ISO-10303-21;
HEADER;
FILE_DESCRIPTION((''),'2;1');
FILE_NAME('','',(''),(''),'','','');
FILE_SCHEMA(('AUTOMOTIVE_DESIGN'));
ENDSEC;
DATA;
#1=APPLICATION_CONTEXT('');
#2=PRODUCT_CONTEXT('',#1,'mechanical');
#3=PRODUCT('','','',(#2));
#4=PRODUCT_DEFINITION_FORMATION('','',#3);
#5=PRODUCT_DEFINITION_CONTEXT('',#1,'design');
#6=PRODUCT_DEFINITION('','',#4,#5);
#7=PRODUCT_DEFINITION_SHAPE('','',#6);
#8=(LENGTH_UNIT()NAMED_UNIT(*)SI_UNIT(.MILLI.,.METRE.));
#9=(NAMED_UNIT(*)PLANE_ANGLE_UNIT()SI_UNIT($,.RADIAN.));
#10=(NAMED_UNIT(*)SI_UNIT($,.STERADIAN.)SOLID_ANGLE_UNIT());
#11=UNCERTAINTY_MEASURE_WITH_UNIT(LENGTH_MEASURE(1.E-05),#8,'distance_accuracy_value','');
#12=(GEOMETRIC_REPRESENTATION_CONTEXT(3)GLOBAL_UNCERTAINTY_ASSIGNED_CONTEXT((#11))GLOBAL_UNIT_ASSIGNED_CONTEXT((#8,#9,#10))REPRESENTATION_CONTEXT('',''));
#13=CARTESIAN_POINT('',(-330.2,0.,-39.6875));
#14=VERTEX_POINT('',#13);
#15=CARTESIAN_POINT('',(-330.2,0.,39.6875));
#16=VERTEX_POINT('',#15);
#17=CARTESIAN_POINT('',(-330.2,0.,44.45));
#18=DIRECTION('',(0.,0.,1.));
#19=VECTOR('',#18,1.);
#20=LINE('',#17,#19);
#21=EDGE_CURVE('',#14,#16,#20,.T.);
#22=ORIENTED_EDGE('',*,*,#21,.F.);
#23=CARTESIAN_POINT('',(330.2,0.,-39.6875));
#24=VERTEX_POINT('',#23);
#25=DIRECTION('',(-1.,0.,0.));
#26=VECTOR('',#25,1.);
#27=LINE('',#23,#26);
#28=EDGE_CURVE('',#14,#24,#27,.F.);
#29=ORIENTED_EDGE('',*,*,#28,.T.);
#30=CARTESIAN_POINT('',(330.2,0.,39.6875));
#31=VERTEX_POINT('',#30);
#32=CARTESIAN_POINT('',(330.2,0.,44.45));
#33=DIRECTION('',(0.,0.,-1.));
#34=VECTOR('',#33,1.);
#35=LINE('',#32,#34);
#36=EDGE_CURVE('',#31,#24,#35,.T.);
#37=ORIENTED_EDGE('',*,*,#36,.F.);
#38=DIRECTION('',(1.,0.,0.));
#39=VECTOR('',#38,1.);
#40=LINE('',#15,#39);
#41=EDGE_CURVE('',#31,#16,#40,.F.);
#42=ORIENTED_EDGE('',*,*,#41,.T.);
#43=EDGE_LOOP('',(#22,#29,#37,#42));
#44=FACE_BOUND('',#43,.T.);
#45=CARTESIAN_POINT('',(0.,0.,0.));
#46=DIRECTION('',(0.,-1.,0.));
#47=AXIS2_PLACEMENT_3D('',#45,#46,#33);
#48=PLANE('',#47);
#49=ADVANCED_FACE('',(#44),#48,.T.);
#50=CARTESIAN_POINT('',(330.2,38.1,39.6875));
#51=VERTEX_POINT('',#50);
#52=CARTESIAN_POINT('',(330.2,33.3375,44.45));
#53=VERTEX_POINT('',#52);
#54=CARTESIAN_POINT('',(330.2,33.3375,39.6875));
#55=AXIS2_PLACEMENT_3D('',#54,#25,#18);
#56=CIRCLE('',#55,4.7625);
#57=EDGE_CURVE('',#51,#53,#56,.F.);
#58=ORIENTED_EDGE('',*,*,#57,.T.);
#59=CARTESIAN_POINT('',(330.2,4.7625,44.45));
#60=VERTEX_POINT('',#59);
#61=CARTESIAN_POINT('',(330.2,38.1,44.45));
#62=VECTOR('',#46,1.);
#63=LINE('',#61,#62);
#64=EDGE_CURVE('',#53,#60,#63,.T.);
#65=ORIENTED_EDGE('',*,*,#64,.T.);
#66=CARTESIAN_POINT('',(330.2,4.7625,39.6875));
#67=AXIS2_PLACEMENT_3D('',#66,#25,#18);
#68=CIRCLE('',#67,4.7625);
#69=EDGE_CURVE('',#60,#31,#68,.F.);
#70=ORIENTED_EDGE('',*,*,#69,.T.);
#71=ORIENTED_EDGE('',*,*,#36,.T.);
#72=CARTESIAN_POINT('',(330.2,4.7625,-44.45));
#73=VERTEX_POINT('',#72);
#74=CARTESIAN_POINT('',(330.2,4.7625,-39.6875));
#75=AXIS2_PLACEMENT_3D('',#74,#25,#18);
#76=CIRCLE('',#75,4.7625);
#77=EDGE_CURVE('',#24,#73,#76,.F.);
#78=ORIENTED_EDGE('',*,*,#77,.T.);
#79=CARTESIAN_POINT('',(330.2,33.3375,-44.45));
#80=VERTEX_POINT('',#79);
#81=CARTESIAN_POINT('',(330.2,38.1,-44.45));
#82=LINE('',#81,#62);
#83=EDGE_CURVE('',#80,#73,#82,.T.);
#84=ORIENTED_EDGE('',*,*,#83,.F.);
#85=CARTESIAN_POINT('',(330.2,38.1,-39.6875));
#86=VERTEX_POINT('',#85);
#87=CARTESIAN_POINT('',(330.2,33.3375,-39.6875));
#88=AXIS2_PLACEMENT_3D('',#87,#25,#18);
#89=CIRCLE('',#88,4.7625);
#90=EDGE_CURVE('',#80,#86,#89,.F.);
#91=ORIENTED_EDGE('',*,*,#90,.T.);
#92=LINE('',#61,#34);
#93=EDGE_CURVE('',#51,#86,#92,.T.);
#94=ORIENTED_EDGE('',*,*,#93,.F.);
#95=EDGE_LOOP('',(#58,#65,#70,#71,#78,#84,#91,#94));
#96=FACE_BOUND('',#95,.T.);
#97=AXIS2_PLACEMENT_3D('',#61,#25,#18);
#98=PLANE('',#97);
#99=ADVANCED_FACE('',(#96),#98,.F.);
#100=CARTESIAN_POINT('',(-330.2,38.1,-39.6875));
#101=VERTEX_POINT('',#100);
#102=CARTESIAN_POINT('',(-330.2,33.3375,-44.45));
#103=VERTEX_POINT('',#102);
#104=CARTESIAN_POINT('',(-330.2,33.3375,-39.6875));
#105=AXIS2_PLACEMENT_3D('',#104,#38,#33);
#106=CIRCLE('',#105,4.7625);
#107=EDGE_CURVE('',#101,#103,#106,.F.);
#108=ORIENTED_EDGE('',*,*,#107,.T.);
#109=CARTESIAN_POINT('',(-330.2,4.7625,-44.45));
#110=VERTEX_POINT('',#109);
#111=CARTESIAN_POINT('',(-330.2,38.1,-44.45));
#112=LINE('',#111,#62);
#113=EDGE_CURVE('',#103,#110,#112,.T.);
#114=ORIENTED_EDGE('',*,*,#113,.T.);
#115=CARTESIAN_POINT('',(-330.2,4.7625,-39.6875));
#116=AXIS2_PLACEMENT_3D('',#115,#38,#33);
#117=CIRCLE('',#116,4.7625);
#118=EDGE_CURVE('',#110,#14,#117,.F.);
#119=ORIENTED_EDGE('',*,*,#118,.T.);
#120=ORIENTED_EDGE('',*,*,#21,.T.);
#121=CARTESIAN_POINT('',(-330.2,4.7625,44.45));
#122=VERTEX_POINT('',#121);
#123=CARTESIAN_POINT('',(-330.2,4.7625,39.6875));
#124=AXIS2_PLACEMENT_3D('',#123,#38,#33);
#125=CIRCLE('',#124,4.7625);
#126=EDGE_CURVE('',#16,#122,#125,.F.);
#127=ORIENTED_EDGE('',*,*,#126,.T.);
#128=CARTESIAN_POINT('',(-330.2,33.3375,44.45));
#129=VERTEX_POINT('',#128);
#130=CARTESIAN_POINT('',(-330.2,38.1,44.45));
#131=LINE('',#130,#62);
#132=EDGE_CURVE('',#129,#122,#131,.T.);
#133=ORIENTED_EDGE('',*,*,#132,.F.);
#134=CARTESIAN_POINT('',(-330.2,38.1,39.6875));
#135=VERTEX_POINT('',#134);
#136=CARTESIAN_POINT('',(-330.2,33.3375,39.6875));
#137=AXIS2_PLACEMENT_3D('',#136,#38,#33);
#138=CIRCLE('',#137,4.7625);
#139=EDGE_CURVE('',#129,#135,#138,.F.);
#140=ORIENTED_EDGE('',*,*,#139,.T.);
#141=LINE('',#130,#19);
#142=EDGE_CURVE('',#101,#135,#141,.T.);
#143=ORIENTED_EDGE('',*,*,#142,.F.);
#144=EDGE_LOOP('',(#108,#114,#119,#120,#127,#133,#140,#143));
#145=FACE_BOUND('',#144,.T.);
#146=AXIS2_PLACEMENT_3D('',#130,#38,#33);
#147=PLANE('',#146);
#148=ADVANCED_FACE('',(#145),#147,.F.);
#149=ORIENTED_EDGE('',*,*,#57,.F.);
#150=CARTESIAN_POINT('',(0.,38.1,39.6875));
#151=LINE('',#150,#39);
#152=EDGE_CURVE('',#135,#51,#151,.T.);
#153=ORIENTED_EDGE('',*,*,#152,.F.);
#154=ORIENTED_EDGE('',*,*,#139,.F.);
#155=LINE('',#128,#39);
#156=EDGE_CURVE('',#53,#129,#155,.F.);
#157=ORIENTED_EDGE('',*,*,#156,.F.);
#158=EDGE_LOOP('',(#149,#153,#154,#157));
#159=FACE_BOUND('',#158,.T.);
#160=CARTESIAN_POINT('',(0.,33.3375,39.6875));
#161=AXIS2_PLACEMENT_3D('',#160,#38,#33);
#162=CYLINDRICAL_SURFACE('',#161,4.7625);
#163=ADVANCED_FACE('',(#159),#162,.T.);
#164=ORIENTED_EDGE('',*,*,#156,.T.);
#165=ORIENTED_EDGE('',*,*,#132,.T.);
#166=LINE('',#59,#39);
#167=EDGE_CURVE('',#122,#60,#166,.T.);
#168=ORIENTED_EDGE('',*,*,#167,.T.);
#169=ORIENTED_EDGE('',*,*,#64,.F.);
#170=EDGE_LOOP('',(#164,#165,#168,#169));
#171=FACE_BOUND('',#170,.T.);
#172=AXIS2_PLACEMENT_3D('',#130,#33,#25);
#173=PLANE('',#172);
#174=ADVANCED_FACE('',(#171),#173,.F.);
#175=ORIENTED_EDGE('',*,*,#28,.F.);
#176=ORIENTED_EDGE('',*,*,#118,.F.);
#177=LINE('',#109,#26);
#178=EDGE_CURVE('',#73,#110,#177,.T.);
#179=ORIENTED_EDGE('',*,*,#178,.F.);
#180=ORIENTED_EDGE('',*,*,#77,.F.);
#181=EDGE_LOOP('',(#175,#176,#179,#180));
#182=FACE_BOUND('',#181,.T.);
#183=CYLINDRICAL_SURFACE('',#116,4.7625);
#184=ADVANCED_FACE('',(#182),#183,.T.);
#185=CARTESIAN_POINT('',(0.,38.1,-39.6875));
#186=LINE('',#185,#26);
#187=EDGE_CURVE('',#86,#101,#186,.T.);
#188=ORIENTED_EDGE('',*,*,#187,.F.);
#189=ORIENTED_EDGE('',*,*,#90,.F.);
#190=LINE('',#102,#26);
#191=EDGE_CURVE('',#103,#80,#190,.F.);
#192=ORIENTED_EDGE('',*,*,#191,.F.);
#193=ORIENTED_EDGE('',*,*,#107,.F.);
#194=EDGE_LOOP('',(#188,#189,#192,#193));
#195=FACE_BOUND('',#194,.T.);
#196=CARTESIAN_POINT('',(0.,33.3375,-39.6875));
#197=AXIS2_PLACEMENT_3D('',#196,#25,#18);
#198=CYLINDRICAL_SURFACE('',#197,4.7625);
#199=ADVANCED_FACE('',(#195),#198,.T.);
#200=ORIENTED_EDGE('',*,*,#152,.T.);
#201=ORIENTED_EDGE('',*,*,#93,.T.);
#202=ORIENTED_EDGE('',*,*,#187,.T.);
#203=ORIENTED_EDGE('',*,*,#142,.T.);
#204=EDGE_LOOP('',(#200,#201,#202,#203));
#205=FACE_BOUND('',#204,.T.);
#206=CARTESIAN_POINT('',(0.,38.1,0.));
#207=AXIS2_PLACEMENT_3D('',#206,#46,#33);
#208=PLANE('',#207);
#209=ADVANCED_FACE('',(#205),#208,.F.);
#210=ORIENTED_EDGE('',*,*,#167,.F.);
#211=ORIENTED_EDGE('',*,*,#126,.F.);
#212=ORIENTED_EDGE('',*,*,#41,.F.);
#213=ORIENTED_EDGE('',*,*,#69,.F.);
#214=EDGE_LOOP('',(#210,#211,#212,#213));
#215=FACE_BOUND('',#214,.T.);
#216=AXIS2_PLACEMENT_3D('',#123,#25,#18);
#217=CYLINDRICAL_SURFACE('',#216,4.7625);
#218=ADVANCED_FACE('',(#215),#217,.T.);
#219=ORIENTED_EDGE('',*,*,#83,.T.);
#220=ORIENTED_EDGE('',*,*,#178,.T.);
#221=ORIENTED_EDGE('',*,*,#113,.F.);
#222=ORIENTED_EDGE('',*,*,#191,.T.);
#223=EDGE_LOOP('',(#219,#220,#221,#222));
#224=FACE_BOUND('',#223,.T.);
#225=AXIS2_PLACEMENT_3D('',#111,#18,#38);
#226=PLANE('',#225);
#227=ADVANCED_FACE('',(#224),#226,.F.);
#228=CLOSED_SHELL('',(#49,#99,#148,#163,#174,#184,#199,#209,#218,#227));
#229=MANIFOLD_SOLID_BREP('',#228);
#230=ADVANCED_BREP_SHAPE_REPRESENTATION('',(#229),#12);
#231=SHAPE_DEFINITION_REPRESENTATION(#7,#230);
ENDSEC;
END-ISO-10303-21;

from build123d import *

# Parameters (mm, degrees)
SKETCH1_W           = 660.4
SKETCH1_H           = 88.9
BOSS_EXTRUDE1_DEPTH = 38.1
FILLET1_R           = 4.7625


with BuildPart() as part:
    # Sketch1 → Boss-Extrude1 (new body)
    with BuildSketch(Plane(origin=(0, 0, 0), x_dir=(1, 0, 0), z_dir=(0, 1, 0))):
        Rectangle(SKETCH1_W, SKETCH1_H)
    extrude(amount=BOSS_EXTRUDE1_DEPTH)

    # Fillet1
    fillet1_edges = [part.edges().sort_by_distance(p)[0] for p in [
        (0, 38.1, 44.45),
        (0, 0, 44.45),
        (0, 0, -44.45),
        (0, 38.1, -44.45),
    ]]
    fillet(fillet1_edges, radius=FILLET1_R)


solid = part.part
